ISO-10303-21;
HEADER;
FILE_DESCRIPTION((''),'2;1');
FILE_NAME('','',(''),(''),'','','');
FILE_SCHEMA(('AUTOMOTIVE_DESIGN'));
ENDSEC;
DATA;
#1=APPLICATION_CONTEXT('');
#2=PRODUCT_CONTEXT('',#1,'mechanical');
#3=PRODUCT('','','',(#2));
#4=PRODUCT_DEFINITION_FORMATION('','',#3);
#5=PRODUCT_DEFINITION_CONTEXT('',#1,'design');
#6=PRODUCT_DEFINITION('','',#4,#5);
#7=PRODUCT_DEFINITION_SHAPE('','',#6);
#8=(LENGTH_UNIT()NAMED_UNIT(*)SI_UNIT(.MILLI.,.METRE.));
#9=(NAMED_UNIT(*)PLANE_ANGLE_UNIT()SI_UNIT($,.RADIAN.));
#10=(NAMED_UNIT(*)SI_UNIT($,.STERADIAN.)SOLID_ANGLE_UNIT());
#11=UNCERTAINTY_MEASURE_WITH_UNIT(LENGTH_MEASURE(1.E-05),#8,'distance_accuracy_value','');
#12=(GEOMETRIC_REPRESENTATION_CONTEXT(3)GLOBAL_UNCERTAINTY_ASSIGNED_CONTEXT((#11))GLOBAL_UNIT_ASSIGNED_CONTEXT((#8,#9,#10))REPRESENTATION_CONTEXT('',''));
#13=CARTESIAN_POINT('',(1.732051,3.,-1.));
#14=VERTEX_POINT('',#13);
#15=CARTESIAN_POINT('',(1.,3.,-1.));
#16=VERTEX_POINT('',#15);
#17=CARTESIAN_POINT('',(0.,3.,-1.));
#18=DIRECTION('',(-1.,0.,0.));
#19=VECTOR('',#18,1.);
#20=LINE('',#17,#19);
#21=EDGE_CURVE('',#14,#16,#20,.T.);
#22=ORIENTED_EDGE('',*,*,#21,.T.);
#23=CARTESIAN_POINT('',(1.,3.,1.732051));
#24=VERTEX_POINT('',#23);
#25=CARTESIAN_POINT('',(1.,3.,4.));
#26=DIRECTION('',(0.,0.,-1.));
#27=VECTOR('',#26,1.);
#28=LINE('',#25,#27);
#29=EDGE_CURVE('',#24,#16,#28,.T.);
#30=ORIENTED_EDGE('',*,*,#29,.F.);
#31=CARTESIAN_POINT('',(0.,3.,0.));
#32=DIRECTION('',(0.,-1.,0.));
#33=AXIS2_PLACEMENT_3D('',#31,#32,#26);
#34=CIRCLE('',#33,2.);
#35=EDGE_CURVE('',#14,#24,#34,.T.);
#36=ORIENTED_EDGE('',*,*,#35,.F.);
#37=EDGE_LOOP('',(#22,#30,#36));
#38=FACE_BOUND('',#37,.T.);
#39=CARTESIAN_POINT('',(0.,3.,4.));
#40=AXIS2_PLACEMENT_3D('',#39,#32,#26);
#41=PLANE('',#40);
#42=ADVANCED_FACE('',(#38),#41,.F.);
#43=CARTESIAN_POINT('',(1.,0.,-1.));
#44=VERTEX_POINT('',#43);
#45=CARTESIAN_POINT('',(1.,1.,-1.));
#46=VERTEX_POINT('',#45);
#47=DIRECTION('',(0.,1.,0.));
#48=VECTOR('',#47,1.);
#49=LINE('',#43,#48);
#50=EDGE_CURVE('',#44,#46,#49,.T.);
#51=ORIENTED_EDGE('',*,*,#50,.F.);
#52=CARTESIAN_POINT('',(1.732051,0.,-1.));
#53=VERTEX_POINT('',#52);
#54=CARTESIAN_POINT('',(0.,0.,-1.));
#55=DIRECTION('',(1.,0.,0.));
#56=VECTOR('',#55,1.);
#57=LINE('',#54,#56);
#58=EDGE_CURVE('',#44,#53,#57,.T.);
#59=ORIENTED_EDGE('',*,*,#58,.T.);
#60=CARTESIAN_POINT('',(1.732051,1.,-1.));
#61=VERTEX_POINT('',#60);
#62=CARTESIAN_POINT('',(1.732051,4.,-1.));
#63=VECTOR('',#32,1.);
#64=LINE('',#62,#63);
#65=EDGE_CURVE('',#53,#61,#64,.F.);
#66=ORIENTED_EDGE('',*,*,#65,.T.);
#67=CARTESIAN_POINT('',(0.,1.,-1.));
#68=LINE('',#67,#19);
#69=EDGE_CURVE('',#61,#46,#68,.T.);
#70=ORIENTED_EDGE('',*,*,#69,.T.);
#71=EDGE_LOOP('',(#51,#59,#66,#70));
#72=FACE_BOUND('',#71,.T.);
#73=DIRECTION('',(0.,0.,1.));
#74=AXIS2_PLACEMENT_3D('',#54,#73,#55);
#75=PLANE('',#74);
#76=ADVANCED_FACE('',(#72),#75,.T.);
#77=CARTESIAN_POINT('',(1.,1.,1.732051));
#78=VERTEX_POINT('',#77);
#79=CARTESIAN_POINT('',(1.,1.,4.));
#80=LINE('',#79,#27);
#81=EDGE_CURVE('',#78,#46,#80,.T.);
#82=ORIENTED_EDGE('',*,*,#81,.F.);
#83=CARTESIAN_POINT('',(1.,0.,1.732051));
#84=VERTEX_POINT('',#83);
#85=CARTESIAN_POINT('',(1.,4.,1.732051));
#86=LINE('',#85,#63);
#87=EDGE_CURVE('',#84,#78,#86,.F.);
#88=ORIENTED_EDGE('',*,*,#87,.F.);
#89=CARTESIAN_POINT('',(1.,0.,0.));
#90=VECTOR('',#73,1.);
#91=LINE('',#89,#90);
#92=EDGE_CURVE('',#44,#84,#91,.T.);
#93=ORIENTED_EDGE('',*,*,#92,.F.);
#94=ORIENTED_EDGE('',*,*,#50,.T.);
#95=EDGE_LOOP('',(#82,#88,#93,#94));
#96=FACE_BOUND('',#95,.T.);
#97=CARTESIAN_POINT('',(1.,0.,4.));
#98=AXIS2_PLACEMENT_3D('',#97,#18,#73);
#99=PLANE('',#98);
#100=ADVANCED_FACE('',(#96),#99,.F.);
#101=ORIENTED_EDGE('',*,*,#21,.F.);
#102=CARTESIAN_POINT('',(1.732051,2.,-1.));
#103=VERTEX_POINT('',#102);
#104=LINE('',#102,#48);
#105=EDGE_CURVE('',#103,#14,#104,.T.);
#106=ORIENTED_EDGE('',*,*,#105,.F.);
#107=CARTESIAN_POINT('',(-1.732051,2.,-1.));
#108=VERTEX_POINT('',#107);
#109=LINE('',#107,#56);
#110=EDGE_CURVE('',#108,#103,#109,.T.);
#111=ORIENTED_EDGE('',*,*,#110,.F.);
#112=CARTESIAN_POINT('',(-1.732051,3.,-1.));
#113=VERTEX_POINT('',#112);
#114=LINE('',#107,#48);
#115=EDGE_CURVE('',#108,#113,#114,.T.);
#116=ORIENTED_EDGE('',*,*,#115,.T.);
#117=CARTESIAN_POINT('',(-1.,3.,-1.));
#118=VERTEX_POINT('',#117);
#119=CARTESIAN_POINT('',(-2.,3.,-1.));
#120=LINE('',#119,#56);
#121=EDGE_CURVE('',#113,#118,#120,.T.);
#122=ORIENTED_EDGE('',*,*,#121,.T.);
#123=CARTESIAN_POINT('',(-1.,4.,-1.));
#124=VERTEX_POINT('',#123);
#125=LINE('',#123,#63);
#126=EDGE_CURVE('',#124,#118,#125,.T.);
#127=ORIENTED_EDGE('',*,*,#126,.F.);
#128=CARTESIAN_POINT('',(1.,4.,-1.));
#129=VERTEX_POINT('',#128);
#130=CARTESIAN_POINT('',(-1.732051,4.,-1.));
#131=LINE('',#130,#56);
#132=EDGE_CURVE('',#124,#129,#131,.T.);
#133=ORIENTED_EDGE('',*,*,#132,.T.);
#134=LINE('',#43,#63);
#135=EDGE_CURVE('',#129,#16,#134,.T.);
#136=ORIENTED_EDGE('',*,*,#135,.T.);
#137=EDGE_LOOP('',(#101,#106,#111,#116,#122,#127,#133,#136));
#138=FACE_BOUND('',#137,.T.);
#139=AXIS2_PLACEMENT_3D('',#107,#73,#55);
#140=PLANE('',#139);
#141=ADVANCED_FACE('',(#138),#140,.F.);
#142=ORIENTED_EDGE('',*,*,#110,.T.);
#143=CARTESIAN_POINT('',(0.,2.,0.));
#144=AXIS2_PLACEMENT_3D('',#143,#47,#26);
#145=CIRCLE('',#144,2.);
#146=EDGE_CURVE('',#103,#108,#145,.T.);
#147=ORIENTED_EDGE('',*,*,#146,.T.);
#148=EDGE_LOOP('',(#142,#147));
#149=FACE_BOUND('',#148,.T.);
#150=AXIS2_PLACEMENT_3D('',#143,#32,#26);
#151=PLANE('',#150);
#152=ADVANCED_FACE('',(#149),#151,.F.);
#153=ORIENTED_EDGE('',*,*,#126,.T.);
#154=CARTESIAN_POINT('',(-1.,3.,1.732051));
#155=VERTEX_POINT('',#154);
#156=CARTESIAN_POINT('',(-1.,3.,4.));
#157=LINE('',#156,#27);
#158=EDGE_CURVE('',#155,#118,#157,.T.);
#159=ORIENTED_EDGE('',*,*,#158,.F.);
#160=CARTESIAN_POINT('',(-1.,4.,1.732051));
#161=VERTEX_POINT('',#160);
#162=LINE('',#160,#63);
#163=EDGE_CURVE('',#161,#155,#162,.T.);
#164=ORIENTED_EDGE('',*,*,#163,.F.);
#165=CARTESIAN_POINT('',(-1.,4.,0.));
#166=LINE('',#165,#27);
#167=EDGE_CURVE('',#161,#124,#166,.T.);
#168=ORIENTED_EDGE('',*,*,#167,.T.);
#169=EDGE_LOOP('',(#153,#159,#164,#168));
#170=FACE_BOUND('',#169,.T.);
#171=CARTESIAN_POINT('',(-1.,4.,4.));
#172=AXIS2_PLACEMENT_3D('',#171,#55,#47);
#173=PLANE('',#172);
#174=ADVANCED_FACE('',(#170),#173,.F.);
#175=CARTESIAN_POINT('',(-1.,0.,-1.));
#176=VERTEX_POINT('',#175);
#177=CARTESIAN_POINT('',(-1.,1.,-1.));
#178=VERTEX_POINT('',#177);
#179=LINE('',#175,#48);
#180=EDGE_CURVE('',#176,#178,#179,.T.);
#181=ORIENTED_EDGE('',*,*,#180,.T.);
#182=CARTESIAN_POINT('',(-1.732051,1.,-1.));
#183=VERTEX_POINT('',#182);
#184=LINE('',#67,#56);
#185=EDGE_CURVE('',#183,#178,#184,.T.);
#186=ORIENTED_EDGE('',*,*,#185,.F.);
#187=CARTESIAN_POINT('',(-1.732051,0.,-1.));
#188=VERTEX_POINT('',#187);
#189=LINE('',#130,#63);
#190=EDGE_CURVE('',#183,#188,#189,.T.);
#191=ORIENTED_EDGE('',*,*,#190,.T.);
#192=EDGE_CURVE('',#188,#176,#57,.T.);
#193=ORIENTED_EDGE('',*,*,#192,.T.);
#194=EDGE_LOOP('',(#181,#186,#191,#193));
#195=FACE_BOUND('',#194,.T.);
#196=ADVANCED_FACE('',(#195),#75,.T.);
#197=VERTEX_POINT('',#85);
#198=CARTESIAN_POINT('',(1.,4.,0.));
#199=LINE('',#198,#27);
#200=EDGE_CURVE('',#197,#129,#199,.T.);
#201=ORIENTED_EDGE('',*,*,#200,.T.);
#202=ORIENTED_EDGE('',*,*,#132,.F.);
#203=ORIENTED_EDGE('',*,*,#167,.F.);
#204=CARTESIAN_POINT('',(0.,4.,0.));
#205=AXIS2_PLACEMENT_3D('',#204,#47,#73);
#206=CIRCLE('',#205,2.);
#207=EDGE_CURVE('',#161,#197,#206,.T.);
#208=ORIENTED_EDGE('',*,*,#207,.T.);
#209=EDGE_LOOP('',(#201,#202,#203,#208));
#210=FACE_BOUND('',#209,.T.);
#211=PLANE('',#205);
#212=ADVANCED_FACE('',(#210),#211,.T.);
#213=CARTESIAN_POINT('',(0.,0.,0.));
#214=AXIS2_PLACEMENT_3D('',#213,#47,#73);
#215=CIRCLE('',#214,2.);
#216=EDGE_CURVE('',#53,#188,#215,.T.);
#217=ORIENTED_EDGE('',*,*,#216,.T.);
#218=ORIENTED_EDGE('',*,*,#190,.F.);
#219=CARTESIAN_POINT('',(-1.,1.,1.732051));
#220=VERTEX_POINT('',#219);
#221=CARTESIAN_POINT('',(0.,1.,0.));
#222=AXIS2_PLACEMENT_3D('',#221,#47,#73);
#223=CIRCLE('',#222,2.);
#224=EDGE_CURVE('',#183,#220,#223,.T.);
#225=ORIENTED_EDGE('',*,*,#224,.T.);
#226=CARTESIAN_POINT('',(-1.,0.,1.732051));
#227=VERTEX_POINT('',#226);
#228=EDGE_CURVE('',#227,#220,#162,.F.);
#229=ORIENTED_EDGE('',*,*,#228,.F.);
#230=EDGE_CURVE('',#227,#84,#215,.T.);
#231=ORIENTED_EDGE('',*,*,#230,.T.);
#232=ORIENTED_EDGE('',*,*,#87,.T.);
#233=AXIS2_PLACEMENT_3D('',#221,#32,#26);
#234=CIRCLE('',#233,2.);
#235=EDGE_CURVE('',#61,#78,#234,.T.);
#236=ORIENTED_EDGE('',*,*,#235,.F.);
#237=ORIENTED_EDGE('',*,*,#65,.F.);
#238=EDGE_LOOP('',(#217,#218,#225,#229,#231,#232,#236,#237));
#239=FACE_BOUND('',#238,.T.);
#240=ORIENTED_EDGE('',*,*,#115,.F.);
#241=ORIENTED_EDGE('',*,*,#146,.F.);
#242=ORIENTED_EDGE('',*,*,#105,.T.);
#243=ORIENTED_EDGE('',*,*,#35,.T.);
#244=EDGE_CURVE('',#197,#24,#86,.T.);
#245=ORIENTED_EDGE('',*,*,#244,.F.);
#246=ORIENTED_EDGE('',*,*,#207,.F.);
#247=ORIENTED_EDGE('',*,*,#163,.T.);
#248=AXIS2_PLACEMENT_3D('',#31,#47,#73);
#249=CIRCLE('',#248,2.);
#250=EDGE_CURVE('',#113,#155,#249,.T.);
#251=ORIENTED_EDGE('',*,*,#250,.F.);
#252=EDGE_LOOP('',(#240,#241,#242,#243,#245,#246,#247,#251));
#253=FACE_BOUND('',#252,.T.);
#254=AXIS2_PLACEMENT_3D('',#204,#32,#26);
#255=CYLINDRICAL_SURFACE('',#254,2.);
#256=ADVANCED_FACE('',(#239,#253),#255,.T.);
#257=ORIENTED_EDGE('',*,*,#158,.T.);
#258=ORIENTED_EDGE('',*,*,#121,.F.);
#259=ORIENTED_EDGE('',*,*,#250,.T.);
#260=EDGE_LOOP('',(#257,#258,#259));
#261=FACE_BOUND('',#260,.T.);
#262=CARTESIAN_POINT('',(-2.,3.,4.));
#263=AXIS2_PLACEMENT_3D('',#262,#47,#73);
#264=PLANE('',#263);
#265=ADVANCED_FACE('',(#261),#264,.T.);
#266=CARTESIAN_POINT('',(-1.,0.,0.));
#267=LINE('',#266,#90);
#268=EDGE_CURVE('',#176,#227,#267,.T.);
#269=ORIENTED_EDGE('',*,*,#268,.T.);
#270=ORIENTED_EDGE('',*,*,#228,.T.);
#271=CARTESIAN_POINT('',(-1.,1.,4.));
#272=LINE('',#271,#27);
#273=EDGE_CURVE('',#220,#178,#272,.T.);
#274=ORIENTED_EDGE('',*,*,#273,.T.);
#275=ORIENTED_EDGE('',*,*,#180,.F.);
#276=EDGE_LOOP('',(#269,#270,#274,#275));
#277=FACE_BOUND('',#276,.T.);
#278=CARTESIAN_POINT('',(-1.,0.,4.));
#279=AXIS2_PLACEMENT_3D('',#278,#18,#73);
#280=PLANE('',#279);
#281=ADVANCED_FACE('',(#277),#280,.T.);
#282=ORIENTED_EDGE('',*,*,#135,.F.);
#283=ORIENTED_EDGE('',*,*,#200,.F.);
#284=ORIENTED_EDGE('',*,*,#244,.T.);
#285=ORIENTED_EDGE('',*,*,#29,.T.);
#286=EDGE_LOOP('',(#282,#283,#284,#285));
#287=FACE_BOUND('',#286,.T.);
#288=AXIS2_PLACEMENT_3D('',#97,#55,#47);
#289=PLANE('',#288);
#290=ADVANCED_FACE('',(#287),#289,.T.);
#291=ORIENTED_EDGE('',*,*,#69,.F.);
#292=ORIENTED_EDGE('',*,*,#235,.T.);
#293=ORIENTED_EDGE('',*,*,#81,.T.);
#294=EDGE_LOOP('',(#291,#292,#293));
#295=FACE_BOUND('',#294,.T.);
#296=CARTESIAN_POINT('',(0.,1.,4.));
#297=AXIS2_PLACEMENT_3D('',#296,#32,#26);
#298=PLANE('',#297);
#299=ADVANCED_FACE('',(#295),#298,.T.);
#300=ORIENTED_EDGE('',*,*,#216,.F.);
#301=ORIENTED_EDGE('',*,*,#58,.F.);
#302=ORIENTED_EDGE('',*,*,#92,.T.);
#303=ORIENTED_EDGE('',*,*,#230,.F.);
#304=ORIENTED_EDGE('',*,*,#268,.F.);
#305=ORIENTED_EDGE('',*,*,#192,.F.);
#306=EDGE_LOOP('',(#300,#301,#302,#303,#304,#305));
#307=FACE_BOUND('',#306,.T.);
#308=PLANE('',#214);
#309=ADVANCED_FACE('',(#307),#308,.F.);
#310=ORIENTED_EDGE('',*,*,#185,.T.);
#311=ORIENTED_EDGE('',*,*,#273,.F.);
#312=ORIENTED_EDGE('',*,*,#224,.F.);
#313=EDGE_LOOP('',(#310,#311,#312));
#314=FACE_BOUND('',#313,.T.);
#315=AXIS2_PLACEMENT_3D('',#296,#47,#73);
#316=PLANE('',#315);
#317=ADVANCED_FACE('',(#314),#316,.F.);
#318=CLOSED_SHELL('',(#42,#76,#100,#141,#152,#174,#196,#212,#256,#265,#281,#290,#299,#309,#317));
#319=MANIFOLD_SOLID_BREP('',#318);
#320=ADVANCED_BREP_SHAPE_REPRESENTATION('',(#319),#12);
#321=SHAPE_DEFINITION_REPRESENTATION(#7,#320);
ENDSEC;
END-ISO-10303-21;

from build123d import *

# Parameters (mm, degrees)
SKETCH1_R               = 2
BOSS_EXTRUDE1_DEPTH     = 4
SKETCH2_W               = 1
SKETCH2_H               = 1
CUT_EXTRUDE1_DEPTH      = 4
CUT_EXTRUDE1_DEPTH_BACK = 1
CUT_EXTRUDE2_DEPTH      = 2


with BuildPart() as part:
    # Sketch1 → Boss-Extrude1 (new body)
    with BuildSketch(Plane(origin=(0, 0, 0), x_dir=(1, 0, 0), z_dir=(0, 1, 0))):
        Circle(SKETCH1_R)
    extrude(amount=BOSS_EXTRUDE1_DEPTH)

    # Sketch2 → Cut-Extrude1 (cut, two sides)
    with BuildSketch(Plane.XY) as cut_extrude1_sk:
        with Locations((-1.5, 0.5)):
            Rectangle(SKETCH2_W, SKETCH2_H)
        with Locations((1.5, 0.5)):
            Rectangle(SKETCH2_W, SKETCH2_H)
        with Locations((1.5, 3.5)):
            Rectangle(SKETCH2_W, SKETCH2_H)
        with Locations((-1.5, 3.5)):
            Rectangle(SKETCH2_W, SKETCH2_H)
    extrude(amount=CUT_EXTRUDE1_DEPTH, mode=Mode.SUBTRACT)
    extrude(cut_extrude1_sk.sketch, amount=-CUT_EXTRUDE1_DEPTH_BACK, mode=Mode.SUBTRACT)

    # Sketch3 → Cut-Extrude2 (cut)
    with BuildSketch(Plane(origin=(0, 4, 0), x_dir=(1, 0, 0), z_dir=(0, 1, 0))):
        with BuildLine():
            Line((-1.732050808, 1), (1.732050808, 1))
            ThreePointArc((1.732050808, 1), (0, 2), (-1.732050808, 1))
        make_face()
    extrude(amount=-CUT_EXTRUDE2_DEPTH, mode=Mode.SUBTRACT)


solid = part.part
